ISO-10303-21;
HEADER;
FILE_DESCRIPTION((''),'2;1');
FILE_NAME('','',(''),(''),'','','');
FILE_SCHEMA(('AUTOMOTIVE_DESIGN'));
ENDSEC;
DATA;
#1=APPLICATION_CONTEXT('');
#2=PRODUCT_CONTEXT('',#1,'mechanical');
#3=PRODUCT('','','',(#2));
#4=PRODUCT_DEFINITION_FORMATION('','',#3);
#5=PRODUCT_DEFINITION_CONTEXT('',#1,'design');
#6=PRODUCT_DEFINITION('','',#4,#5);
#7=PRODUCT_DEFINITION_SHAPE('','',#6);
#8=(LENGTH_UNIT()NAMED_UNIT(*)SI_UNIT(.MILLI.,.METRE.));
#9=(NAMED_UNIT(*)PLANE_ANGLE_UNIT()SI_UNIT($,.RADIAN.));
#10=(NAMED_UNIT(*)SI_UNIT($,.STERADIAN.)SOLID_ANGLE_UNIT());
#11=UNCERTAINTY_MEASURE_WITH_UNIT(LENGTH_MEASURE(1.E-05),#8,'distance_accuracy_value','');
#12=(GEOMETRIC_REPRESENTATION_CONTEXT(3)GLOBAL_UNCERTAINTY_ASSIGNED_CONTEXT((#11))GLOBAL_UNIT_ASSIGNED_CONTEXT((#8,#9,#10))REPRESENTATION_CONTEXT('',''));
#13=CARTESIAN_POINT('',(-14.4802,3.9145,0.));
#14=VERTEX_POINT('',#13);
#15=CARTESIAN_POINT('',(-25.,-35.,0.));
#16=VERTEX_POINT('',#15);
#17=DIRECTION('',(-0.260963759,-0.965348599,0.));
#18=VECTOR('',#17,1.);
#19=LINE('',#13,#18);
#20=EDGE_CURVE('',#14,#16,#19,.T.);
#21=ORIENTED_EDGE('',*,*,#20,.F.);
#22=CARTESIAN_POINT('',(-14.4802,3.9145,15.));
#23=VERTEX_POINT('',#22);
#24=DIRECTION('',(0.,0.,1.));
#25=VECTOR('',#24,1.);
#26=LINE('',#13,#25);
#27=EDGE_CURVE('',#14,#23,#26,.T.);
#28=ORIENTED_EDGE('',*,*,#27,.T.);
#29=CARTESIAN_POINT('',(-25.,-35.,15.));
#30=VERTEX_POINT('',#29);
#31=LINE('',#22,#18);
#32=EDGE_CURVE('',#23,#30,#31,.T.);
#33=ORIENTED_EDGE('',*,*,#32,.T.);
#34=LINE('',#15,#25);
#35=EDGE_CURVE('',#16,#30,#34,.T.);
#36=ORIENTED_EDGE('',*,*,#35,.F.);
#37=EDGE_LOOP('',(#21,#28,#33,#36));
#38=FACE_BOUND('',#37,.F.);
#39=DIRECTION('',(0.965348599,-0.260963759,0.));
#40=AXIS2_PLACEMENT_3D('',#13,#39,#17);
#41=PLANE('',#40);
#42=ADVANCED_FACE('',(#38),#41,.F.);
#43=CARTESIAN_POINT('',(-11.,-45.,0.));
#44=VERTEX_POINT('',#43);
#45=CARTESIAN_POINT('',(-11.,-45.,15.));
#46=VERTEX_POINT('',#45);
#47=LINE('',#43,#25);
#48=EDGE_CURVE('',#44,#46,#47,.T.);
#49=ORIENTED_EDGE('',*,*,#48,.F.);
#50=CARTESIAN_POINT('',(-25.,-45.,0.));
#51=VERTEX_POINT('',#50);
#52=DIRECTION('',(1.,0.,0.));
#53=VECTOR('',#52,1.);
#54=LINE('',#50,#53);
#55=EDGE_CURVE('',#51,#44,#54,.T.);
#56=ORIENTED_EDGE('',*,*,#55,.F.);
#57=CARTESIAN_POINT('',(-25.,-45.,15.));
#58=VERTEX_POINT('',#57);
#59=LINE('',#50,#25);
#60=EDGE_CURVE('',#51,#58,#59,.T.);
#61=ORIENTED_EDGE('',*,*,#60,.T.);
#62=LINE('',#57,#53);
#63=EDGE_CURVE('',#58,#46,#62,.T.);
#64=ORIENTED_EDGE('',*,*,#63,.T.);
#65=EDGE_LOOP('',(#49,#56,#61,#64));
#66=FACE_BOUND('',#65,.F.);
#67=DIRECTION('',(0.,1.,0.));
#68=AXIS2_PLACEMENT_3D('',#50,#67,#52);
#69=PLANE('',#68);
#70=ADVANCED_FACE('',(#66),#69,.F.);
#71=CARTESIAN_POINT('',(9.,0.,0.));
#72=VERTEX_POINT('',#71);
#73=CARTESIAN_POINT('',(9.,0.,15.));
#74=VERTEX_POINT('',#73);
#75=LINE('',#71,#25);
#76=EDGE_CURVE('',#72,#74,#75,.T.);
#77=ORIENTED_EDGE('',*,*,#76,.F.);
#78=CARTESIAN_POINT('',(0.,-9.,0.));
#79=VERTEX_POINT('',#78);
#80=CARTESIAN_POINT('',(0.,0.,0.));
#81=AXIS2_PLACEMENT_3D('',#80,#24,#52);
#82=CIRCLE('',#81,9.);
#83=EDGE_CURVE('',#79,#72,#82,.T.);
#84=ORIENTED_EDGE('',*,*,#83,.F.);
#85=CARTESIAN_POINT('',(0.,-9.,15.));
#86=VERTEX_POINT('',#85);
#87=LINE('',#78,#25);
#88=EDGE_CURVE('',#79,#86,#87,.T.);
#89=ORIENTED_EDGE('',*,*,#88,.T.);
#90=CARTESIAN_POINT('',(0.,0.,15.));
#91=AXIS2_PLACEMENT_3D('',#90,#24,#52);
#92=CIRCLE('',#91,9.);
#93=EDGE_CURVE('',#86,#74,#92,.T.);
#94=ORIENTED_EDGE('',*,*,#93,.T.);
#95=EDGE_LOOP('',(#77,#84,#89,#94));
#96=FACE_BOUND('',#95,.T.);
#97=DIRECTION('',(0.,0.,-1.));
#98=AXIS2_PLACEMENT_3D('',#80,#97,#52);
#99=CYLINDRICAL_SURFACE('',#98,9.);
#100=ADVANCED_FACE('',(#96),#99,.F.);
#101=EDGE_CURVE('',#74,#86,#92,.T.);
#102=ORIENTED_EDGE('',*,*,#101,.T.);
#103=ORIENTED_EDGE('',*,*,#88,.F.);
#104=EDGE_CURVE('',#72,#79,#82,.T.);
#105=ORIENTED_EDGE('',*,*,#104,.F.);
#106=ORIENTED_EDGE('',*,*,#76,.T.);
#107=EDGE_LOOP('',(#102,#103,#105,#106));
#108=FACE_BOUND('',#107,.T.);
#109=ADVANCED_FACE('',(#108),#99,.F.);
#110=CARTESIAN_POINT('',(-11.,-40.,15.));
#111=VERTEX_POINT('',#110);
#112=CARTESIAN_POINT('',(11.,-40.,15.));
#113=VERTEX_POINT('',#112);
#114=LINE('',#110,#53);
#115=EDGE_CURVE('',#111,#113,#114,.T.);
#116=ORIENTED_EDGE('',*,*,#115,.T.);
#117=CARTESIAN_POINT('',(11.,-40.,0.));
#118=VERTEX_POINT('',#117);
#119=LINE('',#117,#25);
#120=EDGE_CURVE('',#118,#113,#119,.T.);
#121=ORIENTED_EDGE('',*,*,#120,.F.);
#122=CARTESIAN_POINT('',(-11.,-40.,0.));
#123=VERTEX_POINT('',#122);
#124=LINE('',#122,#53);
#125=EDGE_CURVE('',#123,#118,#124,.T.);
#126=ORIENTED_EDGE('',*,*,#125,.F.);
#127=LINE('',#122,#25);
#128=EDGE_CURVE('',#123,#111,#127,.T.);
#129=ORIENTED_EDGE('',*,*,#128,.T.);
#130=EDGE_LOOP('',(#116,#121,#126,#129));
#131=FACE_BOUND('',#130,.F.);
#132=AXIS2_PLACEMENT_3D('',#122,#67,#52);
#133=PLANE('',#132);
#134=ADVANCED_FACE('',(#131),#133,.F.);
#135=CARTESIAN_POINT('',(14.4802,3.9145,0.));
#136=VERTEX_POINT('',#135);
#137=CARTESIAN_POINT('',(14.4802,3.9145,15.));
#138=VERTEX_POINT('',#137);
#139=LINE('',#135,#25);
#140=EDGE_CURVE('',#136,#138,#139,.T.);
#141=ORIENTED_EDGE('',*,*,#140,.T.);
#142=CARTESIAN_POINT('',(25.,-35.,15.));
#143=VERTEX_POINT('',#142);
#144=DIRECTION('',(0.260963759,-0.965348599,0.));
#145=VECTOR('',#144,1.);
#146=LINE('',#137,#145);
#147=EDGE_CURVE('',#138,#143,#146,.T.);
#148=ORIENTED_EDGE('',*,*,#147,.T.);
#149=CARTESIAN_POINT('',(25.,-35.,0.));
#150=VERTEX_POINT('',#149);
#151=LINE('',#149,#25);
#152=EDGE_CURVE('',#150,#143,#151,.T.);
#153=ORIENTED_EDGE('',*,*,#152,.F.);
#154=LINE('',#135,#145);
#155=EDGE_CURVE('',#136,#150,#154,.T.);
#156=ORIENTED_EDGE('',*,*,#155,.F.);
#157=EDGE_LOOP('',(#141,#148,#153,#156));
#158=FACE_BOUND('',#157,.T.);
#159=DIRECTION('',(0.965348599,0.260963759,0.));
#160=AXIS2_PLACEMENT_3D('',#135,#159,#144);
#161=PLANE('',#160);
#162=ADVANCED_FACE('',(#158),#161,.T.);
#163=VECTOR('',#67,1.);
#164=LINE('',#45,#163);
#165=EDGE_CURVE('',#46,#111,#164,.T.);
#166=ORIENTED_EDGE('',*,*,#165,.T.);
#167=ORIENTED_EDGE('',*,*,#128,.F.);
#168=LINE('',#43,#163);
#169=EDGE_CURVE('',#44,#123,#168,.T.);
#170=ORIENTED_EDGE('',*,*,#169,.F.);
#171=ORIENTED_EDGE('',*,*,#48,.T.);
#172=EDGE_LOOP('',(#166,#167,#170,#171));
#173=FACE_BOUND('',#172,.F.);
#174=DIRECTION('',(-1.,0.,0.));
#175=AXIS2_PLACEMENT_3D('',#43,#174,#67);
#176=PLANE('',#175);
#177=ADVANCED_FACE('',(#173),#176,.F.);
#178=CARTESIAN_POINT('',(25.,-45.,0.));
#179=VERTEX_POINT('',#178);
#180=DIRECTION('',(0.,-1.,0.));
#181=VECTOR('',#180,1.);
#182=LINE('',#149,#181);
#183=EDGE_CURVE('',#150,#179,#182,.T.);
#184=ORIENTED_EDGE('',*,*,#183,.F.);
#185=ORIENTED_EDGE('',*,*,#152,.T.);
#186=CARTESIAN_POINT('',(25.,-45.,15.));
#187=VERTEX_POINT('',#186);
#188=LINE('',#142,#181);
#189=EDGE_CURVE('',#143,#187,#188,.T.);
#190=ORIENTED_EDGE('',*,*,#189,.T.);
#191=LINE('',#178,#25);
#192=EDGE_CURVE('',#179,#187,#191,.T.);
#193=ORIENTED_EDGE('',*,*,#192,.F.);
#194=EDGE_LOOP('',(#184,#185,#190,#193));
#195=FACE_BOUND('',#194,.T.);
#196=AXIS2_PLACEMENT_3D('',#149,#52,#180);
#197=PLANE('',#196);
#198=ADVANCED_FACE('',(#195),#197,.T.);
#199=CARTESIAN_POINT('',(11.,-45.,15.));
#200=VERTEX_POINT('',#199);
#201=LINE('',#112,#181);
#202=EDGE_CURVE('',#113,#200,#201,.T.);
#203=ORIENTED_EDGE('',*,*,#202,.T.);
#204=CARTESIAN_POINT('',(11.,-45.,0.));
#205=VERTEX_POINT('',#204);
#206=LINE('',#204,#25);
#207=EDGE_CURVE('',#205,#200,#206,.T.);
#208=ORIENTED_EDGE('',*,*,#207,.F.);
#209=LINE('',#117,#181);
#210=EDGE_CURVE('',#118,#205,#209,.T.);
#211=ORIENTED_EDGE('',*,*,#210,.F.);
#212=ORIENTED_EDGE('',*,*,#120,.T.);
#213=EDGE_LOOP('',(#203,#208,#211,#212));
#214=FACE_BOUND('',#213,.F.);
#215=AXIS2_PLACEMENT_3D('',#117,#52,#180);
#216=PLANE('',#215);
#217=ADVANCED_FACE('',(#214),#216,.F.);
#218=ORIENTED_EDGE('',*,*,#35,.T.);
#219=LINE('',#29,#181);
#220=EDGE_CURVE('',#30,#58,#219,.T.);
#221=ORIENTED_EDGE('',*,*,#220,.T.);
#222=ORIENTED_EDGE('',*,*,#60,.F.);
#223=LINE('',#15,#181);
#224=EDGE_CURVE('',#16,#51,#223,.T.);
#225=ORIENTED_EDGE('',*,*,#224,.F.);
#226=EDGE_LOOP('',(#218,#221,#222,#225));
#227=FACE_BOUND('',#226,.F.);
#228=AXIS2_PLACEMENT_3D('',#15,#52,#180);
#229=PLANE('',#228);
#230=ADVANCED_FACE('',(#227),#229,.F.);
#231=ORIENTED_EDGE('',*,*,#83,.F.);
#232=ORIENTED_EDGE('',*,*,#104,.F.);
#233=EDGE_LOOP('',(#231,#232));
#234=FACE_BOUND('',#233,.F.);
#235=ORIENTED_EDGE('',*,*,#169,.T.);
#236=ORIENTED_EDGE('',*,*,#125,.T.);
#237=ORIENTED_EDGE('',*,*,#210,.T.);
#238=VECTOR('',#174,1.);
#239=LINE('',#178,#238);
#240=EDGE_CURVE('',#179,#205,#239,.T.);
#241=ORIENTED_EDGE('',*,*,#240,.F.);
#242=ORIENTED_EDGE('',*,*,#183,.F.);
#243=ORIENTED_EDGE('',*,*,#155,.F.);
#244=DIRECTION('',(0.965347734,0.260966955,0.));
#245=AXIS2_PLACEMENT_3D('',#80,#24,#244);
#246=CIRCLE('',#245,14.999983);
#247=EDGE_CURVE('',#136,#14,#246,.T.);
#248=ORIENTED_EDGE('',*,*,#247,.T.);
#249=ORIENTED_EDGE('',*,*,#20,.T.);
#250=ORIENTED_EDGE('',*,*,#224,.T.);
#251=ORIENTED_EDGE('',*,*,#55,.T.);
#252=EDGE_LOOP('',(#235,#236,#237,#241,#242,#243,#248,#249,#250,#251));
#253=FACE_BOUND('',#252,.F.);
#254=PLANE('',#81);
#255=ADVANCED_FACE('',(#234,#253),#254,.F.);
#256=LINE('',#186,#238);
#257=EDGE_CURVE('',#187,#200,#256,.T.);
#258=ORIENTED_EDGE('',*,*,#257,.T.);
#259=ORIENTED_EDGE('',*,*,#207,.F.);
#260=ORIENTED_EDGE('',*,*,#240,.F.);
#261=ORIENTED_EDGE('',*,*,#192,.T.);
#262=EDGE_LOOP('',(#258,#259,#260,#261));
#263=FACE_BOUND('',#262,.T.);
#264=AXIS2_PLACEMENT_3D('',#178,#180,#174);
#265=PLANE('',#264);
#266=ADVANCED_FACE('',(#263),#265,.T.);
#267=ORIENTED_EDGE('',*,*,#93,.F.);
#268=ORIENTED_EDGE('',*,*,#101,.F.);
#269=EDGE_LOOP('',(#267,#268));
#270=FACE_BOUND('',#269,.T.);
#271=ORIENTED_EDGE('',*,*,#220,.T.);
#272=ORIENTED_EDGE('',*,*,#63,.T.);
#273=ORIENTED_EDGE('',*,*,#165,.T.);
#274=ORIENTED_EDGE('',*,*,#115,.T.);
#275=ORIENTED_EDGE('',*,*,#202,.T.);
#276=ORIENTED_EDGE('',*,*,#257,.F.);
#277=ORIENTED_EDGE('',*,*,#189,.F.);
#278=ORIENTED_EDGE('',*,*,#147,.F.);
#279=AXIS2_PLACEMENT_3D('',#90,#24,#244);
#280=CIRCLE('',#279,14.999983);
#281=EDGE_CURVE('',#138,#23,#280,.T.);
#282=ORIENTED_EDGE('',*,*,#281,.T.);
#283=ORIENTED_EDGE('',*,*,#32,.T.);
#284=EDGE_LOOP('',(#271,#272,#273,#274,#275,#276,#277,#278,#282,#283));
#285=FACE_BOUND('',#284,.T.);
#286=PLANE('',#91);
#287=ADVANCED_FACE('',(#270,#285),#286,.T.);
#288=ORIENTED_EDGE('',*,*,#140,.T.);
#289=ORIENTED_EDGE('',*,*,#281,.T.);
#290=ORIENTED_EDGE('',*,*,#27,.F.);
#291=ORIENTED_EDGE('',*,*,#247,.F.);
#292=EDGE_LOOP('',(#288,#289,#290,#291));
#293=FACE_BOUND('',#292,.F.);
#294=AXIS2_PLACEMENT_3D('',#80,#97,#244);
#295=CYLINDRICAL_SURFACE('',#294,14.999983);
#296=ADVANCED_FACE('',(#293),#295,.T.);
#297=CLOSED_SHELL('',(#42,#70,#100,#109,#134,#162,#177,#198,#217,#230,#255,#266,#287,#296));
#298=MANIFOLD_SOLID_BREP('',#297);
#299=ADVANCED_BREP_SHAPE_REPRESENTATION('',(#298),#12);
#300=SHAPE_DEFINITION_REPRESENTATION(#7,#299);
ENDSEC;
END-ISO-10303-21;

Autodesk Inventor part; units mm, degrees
ref_plane "YZ Plane" through (0, 0, 0) normal (1, 0, 0) x (0, 1, 0)
ref_plane "XZ Plane" through (0, 0, 0) normal (0, 1, 0) x (-1, 0, 0)
ref_plane "XY Plane" through (0, 0, 0) normal (0, 0, 1) x (1, 0, 0)
sketch "草图1" plane through (0, 0, 0) normal (0, 0, 1) x (1, 0, 0)
  line L0 (0, 7.9673) -> (0, -10.1658)
  circle A0 centre (0, 0) radius 9
  line L1 (-14.4802, 3.9145) -> (-25, -35)
  line L2 (14.4802, 3.9145) -> (25, -35)
  line L3 (-25, -35) -> (-25, -45)
  line L4 (-25, -45) -> (-11, -45)
  line L5 (-11, -45) -> (-11, -40)
  line L6 (-11, -40) -> (11, -40)
  line L7 (11, -40) -> (11, -45)
  line L8 (25, -45) -> (11, -45)
  line L9 (25, -35) -> (25, -45)
  arc A1 (14.4802, 3.9145) -> (-14.4802, 3.9145) centre (0, 0) ccw
  dimension "d1" = 18
  dimension "d2" = 22
  dimension "d3" = 50
  dimension "d4" = 5
  dimension "d5" = 10
  dimension "d6" = 45
  dimension "d7" = 15
extrude "拉伸1" add sketch "草图1" along normal blind 15
